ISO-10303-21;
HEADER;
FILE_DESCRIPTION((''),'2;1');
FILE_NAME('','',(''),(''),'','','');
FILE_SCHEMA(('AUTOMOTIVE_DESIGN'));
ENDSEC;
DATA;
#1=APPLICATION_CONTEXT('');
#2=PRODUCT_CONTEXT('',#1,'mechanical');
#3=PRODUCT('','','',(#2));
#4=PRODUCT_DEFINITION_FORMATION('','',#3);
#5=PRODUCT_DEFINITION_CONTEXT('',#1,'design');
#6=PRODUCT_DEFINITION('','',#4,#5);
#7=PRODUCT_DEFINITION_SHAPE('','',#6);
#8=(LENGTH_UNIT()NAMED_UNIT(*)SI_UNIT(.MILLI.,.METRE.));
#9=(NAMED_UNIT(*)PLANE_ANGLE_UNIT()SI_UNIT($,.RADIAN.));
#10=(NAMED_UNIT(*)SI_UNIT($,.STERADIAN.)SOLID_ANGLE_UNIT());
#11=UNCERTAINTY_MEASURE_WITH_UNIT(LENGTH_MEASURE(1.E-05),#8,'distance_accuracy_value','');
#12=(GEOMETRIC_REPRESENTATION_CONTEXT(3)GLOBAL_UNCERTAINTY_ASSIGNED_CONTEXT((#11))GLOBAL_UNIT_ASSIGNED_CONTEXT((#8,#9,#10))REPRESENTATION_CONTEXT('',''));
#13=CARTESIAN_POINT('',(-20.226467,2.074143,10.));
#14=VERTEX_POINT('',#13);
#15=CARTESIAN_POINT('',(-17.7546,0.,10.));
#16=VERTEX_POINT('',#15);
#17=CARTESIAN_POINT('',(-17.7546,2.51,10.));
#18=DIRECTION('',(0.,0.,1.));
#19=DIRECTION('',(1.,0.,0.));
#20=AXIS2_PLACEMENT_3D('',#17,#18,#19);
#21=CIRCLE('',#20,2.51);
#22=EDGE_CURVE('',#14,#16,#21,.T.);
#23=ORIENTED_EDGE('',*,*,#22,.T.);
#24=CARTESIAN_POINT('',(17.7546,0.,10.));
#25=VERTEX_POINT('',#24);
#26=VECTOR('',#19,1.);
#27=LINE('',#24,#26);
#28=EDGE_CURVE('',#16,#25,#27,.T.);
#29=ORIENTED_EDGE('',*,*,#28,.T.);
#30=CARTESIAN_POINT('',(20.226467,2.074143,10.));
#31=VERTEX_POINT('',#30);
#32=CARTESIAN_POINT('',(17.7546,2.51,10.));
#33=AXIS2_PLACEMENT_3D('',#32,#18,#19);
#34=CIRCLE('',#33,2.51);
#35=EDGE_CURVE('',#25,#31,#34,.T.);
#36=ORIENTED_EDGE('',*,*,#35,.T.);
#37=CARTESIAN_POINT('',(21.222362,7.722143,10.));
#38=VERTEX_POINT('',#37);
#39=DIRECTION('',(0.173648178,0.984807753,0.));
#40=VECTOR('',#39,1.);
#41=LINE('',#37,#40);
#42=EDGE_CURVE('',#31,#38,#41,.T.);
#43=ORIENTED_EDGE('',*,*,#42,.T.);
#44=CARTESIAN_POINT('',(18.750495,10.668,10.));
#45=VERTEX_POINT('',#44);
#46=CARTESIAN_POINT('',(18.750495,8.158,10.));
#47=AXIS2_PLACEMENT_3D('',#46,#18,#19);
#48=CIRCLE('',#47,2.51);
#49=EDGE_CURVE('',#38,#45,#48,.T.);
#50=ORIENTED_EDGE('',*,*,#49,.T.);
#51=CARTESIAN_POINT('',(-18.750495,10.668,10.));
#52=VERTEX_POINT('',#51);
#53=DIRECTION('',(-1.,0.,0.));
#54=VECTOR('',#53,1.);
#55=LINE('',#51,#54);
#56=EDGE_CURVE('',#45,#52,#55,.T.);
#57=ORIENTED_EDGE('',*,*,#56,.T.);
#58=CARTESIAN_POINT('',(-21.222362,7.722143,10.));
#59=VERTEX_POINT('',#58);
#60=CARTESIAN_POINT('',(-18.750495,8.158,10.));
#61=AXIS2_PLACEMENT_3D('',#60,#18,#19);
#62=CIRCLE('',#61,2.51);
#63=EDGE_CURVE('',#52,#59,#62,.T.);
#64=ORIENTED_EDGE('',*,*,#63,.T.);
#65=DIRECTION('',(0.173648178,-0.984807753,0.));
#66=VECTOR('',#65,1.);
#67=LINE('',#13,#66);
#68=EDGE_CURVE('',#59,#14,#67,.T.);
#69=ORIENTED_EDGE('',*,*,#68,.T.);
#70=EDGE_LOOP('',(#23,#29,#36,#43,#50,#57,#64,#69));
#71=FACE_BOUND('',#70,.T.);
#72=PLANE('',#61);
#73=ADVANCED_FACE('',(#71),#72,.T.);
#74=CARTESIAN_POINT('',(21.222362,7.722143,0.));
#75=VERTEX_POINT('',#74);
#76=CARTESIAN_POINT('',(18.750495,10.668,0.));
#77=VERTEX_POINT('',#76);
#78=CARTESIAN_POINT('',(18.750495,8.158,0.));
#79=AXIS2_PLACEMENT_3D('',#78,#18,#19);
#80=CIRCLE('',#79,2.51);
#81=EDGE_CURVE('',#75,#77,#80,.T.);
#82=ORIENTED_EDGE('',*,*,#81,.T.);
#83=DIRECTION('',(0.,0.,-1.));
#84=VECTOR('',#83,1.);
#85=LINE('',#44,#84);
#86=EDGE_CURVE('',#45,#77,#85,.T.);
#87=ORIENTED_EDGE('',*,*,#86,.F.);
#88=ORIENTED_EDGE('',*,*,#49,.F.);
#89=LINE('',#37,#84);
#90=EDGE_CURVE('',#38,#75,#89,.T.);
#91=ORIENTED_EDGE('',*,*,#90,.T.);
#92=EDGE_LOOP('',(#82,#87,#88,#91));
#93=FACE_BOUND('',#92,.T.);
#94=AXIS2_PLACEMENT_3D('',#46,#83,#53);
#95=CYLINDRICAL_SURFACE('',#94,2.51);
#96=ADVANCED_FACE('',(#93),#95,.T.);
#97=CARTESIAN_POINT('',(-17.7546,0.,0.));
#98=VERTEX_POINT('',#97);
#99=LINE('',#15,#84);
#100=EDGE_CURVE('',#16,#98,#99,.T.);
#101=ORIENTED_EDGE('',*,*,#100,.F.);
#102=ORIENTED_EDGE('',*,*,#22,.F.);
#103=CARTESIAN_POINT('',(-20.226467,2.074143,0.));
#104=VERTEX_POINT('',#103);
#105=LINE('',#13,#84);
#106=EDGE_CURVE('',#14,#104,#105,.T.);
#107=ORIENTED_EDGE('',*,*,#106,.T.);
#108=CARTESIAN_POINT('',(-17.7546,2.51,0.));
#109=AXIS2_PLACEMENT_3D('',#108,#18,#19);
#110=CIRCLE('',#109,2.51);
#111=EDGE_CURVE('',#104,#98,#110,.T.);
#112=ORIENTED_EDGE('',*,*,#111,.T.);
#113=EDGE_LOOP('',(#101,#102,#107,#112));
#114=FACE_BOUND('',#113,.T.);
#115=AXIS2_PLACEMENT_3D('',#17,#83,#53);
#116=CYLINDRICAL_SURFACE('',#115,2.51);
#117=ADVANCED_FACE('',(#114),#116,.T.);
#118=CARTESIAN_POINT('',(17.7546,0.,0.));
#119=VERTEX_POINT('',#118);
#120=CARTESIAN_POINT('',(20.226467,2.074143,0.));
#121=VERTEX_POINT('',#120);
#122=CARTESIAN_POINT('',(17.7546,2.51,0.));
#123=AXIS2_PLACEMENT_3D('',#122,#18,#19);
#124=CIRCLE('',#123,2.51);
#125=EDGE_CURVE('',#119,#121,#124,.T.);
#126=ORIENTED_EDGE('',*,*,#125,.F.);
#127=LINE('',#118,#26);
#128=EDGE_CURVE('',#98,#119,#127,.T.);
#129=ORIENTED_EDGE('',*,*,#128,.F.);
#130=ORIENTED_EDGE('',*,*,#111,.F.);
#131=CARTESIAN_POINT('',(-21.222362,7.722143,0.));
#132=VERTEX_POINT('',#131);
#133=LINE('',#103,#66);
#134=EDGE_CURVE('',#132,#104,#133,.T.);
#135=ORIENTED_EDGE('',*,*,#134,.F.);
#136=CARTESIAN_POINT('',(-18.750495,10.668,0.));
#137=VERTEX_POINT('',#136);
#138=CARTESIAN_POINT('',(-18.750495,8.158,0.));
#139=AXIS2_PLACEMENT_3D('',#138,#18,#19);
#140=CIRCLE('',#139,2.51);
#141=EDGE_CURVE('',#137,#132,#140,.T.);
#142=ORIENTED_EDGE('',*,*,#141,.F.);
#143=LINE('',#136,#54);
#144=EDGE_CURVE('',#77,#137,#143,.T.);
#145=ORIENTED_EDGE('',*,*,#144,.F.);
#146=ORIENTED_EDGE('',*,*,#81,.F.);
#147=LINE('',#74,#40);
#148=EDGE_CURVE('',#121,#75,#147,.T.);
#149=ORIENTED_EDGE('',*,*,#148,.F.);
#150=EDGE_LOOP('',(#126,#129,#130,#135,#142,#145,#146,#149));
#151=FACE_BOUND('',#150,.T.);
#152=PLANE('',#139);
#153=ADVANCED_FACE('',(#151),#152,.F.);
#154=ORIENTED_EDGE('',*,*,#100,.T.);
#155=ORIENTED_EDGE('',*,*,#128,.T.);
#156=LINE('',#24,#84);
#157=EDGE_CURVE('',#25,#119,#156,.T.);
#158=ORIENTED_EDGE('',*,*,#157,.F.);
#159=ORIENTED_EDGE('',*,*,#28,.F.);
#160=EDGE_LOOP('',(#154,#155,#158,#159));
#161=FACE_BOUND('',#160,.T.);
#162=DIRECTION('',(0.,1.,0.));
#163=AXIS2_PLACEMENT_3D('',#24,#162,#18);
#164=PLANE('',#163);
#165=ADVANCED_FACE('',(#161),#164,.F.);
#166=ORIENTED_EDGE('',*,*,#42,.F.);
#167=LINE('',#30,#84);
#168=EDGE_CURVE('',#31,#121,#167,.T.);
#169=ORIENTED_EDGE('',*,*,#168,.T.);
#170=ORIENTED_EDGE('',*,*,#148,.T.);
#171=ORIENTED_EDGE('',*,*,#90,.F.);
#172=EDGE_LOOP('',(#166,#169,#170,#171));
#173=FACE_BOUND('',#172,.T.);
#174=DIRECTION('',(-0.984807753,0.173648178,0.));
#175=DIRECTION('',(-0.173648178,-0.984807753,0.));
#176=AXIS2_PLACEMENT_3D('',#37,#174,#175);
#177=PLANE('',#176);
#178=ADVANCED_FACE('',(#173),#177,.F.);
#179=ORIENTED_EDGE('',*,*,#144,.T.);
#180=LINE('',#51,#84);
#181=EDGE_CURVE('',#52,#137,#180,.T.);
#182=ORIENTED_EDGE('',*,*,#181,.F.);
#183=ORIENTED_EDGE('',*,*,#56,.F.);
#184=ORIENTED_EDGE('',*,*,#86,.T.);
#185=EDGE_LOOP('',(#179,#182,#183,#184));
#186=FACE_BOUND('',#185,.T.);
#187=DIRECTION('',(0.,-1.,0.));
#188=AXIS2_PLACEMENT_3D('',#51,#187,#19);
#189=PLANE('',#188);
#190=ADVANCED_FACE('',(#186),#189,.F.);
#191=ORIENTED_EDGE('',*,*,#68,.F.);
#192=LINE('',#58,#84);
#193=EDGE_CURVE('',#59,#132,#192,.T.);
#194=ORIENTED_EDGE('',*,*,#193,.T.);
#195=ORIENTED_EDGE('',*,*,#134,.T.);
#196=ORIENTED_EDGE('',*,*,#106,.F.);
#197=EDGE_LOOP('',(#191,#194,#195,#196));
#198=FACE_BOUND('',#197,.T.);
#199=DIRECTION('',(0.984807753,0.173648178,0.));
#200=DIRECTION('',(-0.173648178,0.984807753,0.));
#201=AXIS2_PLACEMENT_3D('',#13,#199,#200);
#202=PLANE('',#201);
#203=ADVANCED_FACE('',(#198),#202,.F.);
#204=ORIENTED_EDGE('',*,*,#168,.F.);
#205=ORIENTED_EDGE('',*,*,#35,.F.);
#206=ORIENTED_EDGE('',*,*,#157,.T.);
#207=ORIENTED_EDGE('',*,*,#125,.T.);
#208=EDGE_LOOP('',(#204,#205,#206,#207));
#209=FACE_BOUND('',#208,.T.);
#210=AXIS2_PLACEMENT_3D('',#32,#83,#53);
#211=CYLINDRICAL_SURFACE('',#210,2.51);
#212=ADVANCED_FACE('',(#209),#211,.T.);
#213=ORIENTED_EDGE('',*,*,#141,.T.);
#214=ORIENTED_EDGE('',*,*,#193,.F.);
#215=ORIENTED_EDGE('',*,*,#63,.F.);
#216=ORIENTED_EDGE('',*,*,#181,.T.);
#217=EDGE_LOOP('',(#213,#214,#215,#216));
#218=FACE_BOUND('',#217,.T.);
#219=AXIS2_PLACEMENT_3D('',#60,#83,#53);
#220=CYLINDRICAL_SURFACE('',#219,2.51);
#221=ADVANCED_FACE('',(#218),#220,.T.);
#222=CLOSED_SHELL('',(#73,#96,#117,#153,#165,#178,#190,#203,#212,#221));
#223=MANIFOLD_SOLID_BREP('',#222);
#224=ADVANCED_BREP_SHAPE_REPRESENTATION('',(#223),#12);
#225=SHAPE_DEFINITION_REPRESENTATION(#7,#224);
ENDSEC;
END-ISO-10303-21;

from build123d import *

# Parameters (mm, degrees)
BOSS_EXTRUDE1_DEPTH = 10


with BuildPart() as part:
    # Sketch1 → Boss-Extrude1 (new body)
    with BuildSketch(Plane.XY):
        with BuildLine():
            Line((-18.750494787, 10.668), (18.750494787, 10.668))
            ThreePointArc((18.750494787, 10.668), (20.673266339, 9.7713969), (21.222362247, 7.722143074))
            Line((21.222362247, 7.722143074), (20.22646746, 2.074143074))
            ThreePointArc((20.22646746, 2.074143074), (19.3679969, 0.587228448), (17.7546, 0))
            Line((17.7546, 0), (-17.7546, 0))
            ThreePointArc((-17.7546, 0), (-19.3679969, 0.587228448), (-20.22646746, 2.074143074))
            Line((-20.22646746, 2.074143074), (-21.222362247, 7.722143074))
            ThreePointArc((-21.222362247, 7.722143074), (-20.673266339, 9.7713969), (-18.750494787, 10.668))
        make_face()
    extrude(amount=BOSS_EXTRUDE1_DEPTH)


solid = part.part
